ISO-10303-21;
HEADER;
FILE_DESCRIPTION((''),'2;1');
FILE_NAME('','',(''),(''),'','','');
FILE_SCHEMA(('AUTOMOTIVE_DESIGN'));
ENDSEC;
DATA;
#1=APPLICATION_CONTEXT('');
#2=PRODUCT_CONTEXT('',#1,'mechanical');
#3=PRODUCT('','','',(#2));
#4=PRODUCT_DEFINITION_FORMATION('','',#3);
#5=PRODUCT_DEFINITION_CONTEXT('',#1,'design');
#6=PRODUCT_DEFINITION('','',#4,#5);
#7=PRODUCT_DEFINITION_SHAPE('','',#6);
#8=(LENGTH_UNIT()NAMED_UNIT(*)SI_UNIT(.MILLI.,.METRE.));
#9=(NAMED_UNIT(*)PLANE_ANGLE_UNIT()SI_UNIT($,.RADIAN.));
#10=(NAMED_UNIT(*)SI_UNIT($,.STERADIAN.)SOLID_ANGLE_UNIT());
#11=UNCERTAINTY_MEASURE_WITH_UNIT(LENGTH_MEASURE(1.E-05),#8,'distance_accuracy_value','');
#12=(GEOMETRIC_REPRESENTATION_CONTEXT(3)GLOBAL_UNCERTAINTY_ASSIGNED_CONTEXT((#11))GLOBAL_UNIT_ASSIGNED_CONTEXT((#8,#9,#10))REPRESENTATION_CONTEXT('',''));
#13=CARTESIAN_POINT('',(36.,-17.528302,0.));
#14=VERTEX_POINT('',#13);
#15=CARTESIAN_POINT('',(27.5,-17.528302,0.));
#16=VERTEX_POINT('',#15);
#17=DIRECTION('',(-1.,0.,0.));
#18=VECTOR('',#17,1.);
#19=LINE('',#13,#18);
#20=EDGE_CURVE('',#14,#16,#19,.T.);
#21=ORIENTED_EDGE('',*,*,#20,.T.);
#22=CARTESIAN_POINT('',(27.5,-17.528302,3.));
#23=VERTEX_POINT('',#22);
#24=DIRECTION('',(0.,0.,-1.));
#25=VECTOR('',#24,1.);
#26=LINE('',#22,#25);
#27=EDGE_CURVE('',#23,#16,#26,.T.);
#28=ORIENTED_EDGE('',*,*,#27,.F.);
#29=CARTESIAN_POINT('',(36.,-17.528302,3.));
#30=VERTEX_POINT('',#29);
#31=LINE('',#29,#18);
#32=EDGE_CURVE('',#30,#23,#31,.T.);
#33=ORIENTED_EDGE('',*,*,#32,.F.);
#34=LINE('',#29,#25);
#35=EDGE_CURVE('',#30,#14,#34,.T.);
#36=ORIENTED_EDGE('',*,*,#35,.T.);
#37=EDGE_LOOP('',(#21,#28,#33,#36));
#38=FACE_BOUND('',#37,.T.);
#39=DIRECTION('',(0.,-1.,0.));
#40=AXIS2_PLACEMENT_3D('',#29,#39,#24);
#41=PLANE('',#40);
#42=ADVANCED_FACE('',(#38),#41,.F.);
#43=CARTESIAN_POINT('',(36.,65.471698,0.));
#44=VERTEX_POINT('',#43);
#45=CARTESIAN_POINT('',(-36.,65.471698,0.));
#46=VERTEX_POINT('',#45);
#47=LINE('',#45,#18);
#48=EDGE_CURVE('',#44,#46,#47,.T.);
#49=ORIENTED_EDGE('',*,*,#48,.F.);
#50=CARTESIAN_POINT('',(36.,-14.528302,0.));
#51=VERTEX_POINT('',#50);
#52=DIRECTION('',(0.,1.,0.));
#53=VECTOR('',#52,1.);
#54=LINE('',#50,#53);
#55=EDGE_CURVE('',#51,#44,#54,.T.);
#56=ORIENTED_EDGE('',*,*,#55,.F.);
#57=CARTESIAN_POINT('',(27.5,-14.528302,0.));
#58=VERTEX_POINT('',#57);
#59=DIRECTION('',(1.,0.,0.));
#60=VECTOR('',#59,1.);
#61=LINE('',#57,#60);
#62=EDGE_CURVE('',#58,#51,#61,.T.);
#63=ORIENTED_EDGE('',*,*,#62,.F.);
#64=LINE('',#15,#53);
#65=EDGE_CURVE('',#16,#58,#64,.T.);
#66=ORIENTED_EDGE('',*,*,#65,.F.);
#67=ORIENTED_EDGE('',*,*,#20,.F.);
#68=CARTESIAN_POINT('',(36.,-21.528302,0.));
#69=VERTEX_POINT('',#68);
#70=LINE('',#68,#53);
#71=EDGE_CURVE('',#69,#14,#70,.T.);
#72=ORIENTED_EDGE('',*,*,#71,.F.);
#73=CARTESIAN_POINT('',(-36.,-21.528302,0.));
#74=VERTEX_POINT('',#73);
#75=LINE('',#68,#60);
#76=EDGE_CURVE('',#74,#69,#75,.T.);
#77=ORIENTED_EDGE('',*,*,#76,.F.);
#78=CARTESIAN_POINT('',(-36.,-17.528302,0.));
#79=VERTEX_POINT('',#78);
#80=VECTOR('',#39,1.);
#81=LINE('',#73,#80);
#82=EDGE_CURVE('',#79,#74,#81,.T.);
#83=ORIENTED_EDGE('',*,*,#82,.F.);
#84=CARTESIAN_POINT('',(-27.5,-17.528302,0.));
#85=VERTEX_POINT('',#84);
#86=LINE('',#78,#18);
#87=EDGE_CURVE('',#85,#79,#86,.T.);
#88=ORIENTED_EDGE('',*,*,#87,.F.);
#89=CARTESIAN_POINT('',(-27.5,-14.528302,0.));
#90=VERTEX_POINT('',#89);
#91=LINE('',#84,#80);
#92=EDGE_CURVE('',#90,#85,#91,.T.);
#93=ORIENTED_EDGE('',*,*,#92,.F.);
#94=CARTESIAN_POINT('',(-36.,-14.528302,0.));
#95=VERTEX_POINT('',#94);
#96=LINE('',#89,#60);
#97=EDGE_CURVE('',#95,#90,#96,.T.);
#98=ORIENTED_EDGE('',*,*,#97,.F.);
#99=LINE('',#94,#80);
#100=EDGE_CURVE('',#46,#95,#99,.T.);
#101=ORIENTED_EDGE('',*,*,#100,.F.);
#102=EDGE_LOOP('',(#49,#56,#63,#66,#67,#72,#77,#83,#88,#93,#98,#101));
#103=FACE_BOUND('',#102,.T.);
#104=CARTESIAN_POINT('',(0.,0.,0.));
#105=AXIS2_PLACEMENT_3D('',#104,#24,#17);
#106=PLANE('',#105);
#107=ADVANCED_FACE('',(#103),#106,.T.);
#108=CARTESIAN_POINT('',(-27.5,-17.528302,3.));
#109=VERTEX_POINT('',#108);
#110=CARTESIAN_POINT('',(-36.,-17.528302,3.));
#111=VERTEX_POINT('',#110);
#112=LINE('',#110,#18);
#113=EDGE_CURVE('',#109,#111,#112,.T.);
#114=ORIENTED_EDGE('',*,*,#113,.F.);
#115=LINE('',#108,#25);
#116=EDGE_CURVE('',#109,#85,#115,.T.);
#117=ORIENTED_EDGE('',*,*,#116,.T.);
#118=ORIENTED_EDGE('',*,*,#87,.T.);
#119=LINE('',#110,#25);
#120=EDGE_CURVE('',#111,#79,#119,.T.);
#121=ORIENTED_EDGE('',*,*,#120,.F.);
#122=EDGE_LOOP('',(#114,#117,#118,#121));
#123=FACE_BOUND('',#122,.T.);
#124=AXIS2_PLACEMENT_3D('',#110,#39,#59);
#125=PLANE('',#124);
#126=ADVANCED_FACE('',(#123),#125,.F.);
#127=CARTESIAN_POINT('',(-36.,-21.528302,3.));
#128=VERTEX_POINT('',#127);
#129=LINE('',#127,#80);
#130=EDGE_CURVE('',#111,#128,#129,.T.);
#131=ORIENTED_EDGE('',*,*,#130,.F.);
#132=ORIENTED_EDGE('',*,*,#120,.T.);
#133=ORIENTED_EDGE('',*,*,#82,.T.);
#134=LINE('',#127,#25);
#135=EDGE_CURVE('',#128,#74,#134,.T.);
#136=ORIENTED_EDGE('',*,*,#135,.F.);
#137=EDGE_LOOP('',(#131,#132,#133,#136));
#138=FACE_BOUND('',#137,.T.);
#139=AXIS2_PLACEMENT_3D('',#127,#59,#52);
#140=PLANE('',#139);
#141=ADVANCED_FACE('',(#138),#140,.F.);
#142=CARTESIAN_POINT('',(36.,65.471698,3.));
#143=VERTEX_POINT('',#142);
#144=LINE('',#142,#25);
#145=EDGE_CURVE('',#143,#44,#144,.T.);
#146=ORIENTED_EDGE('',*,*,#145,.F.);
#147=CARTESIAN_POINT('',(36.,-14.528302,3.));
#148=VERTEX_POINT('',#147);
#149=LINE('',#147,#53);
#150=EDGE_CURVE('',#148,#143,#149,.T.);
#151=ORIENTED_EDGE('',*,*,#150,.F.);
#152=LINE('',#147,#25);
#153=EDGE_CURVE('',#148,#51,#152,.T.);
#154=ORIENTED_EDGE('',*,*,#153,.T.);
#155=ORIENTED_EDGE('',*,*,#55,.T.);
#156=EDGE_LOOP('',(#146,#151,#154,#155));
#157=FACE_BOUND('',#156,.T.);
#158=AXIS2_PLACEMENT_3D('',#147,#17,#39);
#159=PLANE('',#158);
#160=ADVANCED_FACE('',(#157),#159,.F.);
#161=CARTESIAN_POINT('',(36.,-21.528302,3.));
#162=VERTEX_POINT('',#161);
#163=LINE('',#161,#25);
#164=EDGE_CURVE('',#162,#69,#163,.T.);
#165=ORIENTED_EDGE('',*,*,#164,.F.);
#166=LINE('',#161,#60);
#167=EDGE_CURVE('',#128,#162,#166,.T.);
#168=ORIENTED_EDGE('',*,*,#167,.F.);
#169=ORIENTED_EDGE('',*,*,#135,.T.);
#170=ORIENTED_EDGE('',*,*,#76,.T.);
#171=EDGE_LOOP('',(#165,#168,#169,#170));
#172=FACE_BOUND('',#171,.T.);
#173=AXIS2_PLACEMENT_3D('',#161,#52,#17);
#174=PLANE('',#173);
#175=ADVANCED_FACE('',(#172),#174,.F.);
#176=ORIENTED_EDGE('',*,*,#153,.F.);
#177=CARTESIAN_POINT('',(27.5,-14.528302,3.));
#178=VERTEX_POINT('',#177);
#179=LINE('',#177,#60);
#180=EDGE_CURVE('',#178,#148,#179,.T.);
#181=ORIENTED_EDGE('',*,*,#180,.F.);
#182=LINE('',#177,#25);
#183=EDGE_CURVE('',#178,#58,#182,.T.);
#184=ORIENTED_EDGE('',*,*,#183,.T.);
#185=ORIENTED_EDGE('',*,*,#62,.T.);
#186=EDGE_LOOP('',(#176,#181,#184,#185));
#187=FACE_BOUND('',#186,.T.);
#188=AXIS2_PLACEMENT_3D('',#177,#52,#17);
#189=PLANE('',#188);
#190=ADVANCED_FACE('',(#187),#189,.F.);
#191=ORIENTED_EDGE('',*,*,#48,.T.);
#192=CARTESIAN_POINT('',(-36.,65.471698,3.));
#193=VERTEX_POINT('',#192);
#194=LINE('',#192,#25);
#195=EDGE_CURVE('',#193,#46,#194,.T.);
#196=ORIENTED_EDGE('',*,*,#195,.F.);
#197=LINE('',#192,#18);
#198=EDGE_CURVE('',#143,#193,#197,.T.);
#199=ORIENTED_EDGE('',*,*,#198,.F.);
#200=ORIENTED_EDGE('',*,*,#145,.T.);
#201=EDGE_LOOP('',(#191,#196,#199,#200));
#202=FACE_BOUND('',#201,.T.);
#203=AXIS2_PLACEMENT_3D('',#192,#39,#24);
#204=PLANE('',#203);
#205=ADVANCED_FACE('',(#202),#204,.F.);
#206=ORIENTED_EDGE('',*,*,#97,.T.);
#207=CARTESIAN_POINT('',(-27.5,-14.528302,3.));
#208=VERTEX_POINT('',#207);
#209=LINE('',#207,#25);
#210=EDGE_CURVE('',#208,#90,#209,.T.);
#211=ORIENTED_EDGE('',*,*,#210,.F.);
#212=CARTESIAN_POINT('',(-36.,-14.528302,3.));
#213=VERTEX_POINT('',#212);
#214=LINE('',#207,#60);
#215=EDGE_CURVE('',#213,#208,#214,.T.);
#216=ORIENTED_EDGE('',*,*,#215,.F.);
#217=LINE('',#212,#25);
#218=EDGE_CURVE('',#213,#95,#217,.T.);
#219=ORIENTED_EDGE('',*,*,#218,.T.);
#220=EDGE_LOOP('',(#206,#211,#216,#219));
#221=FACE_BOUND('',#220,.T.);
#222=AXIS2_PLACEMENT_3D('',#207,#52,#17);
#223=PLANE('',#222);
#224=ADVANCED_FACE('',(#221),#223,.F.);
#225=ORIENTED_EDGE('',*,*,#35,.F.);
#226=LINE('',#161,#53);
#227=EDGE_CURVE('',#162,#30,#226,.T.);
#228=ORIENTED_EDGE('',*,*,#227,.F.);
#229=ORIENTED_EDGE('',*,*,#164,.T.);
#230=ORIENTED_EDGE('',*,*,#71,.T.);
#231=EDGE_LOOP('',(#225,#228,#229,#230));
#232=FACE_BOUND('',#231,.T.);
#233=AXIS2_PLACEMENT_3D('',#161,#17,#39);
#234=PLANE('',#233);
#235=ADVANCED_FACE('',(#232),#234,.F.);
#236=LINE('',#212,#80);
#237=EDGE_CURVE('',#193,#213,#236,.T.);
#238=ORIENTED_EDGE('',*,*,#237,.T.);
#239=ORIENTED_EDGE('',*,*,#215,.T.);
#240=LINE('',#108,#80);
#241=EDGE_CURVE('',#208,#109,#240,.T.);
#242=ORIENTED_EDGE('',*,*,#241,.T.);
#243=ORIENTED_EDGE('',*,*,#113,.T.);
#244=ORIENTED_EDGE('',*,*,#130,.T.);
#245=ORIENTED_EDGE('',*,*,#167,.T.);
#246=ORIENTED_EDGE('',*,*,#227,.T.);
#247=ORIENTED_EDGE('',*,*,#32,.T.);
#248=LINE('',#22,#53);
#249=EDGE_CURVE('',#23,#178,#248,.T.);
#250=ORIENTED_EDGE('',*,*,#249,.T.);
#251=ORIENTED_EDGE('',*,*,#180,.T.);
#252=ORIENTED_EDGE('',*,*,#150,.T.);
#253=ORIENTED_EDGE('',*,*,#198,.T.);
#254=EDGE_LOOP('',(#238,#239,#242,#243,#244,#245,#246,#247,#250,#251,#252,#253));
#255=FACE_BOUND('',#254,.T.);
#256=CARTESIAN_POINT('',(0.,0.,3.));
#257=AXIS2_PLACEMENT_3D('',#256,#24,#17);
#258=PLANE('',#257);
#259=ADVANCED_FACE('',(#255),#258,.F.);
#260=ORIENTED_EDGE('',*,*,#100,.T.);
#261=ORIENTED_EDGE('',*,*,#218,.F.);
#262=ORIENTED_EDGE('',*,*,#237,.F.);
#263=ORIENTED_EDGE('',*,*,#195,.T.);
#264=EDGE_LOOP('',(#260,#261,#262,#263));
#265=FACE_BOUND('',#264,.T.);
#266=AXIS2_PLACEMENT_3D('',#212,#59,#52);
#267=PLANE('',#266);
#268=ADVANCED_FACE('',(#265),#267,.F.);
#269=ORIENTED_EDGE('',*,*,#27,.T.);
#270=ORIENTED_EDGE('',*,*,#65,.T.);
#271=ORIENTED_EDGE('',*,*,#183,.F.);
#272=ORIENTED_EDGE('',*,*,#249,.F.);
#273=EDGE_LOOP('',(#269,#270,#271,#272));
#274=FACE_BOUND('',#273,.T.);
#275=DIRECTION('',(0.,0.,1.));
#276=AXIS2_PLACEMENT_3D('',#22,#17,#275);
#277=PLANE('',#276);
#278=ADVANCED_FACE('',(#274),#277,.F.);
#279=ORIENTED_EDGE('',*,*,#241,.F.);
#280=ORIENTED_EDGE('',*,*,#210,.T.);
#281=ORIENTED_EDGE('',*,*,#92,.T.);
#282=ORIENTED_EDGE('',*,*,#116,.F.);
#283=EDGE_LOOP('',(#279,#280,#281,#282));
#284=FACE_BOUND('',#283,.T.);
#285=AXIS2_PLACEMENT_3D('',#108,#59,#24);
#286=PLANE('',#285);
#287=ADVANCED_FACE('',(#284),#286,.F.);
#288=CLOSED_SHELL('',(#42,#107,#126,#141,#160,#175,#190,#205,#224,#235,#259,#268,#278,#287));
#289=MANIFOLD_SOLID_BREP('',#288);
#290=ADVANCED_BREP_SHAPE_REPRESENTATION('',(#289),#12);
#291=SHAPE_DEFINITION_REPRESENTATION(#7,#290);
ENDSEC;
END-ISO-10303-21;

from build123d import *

# Parameters (mm, degrees)
EXTRUDE_1_DEPTH = 3


with BuildPart() as part:
    # 草图1 → 凸台-拉伸1 (new body)
    with BuildSketch(Plane.XY):
        Polygon((36, -21.528301887), (-36, -21.528301887), (-36, -17.528301887), (-27.5, -17.528301887), (-27.5, -14.528301887), (-36, -14.528301887), (-36, 65.471698113), (36, 65.471698113), (36, -14.528301887), (27.5, -14.528301887), (27.5, -17.528301887), (36, -17.528301887), align=None)
    extrude(amount=EXTRUDE_1_DEPTH)


solid = part.part
